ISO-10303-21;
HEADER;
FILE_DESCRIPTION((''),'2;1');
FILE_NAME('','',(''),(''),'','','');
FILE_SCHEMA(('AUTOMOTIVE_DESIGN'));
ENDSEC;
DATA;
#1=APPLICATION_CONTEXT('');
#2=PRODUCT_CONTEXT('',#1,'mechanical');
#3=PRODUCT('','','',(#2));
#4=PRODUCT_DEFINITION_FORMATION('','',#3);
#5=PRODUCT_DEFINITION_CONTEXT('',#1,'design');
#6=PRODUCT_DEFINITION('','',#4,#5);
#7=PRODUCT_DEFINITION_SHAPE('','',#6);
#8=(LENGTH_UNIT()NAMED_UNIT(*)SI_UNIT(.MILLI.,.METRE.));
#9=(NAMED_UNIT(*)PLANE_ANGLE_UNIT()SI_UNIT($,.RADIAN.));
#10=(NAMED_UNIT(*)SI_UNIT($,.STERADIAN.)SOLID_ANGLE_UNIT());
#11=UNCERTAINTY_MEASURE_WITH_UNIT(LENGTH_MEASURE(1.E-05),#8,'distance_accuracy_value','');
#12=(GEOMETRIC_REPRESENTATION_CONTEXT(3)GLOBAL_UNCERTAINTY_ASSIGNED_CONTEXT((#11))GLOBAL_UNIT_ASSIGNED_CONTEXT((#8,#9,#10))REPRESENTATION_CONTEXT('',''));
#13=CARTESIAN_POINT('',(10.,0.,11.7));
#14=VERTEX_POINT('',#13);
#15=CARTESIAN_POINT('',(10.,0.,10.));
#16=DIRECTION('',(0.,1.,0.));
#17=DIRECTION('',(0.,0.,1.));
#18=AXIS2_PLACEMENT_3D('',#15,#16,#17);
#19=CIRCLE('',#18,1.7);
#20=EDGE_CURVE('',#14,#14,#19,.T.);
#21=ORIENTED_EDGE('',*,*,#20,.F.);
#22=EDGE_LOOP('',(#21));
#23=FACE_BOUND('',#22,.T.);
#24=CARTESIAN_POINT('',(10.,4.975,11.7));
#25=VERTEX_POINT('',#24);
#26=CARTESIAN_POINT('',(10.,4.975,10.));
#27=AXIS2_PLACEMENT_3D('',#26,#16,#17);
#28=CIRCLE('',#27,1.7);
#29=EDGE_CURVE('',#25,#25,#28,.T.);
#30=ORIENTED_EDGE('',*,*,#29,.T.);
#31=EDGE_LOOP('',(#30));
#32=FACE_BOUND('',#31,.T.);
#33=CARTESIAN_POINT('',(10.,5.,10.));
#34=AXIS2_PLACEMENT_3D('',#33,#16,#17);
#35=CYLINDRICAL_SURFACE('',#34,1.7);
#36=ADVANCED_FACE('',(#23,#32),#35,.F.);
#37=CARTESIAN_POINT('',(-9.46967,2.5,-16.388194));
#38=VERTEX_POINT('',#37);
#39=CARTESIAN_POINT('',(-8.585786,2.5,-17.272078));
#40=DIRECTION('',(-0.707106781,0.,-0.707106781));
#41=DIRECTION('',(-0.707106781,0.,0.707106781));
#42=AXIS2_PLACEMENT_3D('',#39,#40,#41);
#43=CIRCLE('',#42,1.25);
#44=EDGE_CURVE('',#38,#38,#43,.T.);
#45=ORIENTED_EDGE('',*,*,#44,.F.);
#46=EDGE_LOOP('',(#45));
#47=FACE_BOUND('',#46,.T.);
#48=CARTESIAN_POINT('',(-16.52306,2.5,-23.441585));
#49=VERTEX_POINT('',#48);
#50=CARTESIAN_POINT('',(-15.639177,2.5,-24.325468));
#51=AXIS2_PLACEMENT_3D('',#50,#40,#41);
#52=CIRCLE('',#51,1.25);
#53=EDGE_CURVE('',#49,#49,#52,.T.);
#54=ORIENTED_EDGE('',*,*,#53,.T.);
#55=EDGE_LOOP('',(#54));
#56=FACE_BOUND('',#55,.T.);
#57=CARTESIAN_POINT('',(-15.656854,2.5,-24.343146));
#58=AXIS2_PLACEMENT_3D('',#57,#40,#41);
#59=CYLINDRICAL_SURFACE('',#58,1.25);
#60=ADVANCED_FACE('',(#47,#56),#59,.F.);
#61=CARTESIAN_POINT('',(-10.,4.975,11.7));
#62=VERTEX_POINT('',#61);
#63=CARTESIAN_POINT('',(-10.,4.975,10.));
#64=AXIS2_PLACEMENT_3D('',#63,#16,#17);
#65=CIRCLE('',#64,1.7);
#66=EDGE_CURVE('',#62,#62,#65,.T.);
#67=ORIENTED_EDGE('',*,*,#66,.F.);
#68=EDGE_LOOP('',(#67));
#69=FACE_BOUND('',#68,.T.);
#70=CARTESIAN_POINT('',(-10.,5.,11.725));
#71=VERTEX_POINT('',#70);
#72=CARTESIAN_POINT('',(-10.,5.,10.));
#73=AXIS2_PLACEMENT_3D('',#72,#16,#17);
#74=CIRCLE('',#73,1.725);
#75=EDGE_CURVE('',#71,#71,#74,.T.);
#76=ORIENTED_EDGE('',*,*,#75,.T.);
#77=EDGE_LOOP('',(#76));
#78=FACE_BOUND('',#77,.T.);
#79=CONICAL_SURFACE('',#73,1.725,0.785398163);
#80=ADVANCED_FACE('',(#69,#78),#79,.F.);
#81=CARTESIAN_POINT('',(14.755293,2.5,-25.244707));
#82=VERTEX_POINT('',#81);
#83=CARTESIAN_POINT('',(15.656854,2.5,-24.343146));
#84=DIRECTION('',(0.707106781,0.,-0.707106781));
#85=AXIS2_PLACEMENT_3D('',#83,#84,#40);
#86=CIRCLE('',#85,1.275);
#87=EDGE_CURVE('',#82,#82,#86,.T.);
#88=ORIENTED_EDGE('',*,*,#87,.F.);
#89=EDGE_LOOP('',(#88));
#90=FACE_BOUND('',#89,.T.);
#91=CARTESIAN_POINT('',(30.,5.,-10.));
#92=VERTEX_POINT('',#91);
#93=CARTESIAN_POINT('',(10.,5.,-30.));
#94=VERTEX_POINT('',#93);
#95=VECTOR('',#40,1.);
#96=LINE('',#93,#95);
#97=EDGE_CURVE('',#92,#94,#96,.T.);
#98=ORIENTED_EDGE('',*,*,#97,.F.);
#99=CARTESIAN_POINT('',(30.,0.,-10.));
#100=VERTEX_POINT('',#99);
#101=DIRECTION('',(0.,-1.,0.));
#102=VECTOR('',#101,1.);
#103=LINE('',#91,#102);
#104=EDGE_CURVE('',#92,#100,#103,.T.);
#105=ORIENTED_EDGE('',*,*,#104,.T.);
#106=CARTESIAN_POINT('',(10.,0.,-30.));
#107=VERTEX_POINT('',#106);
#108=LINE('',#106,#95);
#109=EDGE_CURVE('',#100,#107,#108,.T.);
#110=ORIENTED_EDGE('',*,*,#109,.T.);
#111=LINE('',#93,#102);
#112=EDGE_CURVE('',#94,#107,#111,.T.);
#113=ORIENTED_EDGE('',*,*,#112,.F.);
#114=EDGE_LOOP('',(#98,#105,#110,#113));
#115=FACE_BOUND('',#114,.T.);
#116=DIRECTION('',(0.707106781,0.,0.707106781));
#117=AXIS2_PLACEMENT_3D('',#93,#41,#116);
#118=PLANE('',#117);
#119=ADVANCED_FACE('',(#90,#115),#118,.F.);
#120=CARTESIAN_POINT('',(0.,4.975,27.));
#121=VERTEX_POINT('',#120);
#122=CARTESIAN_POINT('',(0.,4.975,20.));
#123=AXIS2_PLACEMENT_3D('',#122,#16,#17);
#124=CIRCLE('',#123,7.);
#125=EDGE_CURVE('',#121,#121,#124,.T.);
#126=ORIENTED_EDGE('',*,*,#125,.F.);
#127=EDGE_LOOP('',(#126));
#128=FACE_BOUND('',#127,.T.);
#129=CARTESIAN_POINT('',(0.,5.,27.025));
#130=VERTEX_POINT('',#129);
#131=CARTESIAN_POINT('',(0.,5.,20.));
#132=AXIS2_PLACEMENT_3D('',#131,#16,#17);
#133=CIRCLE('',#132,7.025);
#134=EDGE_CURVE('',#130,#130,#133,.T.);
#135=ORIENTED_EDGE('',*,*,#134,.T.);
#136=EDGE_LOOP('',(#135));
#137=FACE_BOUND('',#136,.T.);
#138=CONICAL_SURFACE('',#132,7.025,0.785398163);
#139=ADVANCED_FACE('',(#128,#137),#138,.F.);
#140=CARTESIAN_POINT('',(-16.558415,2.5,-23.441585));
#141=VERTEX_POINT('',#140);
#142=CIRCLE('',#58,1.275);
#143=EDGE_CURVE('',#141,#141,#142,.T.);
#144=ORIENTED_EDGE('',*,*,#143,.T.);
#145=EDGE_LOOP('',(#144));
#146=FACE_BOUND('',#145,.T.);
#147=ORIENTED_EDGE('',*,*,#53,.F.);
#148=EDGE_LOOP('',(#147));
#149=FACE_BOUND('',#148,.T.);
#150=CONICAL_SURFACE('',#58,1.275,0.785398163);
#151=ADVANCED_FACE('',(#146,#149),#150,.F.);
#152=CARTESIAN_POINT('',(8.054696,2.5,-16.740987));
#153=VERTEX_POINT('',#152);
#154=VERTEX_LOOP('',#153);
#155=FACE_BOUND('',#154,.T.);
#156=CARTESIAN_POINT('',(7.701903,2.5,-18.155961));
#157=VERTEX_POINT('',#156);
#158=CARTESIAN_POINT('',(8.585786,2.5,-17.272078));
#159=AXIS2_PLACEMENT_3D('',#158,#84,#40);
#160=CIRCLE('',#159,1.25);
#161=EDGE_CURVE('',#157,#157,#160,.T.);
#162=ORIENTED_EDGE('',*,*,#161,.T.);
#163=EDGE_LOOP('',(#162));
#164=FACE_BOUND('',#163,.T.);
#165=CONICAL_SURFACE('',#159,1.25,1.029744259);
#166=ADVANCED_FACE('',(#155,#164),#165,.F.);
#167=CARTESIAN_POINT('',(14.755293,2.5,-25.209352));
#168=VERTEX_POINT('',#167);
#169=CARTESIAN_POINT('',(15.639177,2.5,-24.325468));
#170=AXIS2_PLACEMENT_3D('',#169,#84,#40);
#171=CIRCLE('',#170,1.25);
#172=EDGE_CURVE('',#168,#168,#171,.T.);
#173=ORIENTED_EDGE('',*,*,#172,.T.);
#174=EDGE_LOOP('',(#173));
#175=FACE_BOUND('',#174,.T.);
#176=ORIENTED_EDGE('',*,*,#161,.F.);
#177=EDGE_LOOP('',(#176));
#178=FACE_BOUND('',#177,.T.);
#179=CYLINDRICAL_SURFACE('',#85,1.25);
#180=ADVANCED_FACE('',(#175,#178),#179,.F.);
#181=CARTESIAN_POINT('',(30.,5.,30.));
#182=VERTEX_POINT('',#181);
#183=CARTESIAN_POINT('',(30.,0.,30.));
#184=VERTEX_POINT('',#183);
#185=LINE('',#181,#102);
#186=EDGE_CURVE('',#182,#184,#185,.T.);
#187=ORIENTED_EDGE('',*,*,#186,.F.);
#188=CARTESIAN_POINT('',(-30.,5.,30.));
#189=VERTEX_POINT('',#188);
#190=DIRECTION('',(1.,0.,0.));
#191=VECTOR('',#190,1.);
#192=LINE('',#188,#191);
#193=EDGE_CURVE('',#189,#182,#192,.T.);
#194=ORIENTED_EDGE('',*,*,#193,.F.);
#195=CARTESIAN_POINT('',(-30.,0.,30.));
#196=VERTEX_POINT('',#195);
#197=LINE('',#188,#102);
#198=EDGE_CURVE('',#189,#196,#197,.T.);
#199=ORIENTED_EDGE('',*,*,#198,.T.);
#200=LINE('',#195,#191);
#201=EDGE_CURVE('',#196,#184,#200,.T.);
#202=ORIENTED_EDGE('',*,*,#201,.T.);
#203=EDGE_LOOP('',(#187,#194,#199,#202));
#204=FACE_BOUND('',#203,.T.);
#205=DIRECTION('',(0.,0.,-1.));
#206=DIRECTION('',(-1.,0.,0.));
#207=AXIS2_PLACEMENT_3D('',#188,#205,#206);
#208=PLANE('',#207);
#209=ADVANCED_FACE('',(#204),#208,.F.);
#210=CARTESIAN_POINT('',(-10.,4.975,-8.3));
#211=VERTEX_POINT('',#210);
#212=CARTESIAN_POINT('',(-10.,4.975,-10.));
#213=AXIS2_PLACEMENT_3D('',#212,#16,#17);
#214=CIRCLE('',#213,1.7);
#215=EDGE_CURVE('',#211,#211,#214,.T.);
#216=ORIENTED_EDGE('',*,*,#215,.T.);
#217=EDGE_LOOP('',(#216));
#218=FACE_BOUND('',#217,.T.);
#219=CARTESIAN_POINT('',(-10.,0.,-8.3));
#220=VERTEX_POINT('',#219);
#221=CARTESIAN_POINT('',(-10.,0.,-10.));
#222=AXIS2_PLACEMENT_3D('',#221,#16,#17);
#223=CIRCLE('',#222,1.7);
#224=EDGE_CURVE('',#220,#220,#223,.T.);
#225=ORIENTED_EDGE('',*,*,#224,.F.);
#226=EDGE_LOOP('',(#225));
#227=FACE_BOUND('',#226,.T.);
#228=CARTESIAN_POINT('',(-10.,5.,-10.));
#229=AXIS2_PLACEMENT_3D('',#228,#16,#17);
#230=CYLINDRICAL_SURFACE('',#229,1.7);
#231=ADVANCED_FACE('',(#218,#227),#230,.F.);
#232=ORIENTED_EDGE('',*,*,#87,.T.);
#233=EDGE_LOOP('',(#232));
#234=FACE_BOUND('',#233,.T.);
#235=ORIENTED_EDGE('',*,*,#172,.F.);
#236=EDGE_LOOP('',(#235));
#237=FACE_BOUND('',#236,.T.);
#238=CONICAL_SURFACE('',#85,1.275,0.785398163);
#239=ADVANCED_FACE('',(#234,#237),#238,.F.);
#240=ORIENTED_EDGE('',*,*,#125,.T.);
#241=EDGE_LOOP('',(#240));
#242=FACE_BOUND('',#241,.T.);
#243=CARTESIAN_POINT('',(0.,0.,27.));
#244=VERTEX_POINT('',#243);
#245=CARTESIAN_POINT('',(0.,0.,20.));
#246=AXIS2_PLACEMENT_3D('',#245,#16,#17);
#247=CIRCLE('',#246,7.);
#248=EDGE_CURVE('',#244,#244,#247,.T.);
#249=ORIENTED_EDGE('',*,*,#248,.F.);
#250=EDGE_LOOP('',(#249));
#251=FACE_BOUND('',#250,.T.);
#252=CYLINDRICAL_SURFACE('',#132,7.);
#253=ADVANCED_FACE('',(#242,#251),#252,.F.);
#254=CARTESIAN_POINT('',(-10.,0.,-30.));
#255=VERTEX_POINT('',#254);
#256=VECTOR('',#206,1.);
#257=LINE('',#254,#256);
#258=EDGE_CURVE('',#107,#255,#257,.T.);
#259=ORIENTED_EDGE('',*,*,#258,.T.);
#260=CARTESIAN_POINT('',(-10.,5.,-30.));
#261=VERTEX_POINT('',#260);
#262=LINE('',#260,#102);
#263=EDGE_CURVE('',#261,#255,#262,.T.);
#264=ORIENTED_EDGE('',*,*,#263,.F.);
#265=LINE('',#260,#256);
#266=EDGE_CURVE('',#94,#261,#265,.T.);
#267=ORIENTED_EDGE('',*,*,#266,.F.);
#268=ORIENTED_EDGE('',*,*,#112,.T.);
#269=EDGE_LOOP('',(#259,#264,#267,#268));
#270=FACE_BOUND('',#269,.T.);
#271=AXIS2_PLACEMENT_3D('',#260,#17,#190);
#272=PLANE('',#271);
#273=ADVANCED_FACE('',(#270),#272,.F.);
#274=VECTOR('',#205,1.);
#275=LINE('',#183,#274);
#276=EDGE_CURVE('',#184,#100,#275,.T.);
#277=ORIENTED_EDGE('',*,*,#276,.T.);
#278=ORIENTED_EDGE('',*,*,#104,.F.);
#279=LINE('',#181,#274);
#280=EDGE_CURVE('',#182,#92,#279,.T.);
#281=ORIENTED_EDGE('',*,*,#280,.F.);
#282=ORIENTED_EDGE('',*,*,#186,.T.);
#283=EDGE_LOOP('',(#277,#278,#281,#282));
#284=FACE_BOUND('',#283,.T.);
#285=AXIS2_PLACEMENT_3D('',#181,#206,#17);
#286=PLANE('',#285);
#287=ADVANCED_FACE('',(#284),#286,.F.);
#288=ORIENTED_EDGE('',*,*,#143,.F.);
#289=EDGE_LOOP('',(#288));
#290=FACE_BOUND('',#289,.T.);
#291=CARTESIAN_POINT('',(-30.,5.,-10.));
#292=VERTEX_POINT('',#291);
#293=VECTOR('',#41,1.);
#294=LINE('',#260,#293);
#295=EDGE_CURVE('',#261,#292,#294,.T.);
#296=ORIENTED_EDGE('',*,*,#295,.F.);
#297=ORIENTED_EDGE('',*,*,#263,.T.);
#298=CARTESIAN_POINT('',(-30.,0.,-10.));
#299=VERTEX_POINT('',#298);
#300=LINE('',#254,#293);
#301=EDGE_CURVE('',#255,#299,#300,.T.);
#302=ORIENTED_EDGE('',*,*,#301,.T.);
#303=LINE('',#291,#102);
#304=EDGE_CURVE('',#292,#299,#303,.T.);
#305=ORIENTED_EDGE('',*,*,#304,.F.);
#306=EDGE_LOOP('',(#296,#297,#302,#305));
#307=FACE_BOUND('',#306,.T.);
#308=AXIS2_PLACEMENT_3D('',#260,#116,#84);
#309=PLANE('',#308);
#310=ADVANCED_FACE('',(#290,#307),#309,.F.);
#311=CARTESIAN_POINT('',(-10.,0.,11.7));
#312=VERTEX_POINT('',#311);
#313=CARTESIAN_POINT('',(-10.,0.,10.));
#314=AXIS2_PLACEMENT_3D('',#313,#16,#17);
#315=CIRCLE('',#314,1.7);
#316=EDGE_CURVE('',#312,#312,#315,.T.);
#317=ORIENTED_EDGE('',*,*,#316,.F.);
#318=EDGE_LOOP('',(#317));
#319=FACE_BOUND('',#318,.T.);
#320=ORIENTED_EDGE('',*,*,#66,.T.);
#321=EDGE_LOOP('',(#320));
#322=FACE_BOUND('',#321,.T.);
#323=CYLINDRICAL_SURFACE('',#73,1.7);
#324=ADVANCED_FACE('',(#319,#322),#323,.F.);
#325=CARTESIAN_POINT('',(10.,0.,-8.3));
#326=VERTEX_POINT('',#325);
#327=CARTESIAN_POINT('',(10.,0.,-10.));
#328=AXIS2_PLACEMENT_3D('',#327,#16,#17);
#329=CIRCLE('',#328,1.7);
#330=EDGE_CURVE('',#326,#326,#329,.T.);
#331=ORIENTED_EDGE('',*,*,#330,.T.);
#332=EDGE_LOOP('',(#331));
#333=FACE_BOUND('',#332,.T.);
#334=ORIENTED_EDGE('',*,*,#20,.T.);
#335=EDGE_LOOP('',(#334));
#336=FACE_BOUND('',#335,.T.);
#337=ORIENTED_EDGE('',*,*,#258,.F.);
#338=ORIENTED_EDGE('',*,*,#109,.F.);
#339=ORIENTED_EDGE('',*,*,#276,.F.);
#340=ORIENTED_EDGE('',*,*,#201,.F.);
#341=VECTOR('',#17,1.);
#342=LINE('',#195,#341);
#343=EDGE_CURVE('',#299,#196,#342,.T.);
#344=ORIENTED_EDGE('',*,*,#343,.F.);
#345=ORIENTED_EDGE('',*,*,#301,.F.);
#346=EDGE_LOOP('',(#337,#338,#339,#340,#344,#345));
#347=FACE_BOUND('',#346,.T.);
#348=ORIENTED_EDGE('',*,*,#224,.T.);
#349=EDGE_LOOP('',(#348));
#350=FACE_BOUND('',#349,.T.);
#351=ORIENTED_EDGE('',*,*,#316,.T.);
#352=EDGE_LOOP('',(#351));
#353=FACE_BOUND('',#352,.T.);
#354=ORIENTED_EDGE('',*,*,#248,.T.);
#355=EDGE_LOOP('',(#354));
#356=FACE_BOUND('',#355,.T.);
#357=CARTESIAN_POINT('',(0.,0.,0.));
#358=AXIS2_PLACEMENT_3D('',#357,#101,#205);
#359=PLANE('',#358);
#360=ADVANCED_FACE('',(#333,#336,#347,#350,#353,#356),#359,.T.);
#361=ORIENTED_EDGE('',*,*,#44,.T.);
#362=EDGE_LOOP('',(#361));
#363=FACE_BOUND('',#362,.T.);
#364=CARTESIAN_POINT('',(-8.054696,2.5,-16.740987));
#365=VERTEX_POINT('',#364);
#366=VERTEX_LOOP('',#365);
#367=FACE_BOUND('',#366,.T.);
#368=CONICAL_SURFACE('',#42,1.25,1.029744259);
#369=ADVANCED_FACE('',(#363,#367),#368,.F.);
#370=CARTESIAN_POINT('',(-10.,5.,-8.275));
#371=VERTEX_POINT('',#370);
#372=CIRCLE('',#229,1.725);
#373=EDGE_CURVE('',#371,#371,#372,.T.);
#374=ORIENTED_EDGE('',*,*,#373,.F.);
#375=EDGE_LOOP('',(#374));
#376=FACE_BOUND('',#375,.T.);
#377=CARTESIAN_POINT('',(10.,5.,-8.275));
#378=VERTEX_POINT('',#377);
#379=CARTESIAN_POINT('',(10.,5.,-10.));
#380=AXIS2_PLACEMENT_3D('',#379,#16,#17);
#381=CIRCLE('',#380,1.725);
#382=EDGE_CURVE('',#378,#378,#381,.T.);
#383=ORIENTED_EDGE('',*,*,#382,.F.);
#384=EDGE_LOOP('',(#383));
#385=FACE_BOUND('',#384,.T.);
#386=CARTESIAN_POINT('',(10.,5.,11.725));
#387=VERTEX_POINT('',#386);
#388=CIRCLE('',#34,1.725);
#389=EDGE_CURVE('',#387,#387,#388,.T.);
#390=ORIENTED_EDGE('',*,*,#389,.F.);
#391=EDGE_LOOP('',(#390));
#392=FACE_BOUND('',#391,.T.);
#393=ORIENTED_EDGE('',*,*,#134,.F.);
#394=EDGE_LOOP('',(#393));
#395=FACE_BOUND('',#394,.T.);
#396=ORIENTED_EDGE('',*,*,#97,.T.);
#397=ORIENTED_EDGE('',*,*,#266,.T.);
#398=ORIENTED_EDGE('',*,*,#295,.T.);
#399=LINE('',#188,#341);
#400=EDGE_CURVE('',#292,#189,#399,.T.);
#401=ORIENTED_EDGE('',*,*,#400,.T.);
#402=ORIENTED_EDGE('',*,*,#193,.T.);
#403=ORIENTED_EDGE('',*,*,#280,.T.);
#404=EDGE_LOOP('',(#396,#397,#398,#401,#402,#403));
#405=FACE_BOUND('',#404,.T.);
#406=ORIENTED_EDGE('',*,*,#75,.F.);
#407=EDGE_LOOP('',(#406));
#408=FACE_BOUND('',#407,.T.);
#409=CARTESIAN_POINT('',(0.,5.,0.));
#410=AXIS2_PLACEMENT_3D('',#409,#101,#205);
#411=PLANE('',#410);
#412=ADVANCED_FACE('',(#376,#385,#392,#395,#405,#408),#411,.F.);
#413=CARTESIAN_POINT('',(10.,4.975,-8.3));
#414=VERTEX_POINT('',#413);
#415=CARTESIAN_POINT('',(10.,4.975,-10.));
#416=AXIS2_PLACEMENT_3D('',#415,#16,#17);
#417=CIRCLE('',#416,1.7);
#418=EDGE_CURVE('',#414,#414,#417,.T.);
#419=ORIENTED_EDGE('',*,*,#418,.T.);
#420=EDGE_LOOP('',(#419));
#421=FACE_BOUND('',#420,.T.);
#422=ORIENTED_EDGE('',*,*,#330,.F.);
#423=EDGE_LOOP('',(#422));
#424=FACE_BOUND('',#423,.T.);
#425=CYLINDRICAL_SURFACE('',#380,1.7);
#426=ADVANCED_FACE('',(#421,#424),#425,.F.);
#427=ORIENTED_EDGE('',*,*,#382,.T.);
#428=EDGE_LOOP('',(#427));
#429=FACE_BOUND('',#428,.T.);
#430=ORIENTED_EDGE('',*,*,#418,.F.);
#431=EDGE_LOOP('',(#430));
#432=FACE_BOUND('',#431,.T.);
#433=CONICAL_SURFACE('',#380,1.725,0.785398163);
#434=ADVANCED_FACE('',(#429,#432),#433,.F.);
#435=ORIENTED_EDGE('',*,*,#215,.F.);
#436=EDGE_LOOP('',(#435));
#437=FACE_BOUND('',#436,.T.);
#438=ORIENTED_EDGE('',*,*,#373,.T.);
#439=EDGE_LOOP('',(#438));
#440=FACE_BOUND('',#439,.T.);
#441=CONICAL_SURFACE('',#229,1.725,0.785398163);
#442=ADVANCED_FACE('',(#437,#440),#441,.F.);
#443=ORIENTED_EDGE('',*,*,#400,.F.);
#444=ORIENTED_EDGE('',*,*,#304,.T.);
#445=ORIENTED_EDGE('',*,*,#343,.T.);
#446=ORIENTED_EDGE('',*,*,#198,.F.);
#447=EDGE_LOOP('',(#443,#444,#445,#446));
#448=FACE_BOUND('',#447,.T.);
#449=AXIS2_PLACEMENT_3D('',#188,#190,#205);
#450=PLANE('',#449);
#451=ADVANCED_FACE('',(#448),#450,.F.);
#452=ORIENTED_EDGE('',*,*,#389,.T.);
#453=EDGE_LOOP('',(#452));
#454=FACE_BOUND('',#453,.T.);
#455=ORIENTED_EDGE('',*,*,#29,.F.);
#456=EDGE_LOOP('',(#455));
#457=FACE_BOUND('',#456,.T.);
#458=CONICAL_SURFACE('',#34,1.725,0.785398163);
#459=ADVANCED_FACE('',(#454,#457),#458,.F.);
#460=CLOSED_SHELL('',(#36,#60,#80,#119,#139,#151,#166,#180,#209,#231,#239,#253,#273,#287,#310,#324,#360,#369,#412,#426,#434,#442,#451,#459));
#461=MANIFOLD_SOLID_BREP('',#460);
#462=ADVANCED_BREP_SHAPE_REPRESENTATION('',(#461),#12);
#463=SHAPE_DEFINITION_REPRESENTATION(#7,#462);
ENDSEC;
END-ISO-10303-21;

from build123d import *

# Parameters (mm, degrees)
EXTRUDE_1_DEPTH                = 5
HOLE_WIZARD_M3_1_2_D           = 3.4
HOLE_WIZARD_M3_1_2_CSINK_D     = 3.45
HOLE_WIZARD_M3_1_2_CSINK_ANGLE = 90


with BuildPart() as part:
    # 草图1 → 凸台-拉伸1 (new body)
    with BuildSketch(Plane(origin=(0, 0, 0), x_dir=(1, 0, 0), z_dir=(0, 1, 0))):
        Polygon((-10, 30), (-30, 10), (-30, -30), (30, -30), (30, 10), (10, 30), align=None)
    extrude(amount=EXTRUDE_1_DEPTH)

    # 草图8 → Hole Wizard M3 _1 (revolve, cut)
    with BuildSketch(Plane(origin=(-15.656854249, 2.5, -24.343145751), x_dir=(-0.707106781186551, 0, 0.707106781186544), z_dir=(0, 1, 0))):
        Polygon((0, 0), (0, 10.751075774), (1.25, 10), (1.25, 0.025), (1.275, 0), align=None)
    hole_wizard_m3_1 = revolve(axis=Axis((-20.14698231, 2.5, -28.833273811), (0.707106781186544, 0, 0.707106781186551)), mode=Mode.SUBTRACT)

    # 草图10 → M16 螺纹孔的螺纹孔钻头1 (revolve, cut)
    with BuildSketch(Plane(origin=(0, 5, 20), x_dir=(0, 0, 1), z_dir=(1, 0, 0))):
        Polygon((0, 0), (0, 5), (7, 5), (7, 0.025), (7.025, 0), align=None)
    revolve(axis=Axis((0, 11.35, 20), (0, -1, 0)), mode=Mode.SUBTRACT)

    # 镜向2: Hole Wizard M3 _1 across plane
    add(hole_wizard_m3_1.mirror(Plane(origin=(0, 0, 0), x_dir=(0, 0, 1), z_dir=(1, 0, 0))), mode=Mode.SUBTRACT)

    # Hole Wizard M3 _1 2 (through all)
    with Locations(Plane(origin=(-10, 5, -10), x_dir=(0, 0, 1), z_dir=(0, 1, 0))):
        with Locations((0, 0), (0, 20), (20, 20), (20, 0)):
            CounterSinkHole(HOLE_WIZARD_M3_1_2_D / 2, HOLE_WIZARD_M3_1_2_CSINK_D / 2, counter_sink_angle=HOLE_WIZARD_M3_1_2_CSINK_ANGLE)


solid = part.part
